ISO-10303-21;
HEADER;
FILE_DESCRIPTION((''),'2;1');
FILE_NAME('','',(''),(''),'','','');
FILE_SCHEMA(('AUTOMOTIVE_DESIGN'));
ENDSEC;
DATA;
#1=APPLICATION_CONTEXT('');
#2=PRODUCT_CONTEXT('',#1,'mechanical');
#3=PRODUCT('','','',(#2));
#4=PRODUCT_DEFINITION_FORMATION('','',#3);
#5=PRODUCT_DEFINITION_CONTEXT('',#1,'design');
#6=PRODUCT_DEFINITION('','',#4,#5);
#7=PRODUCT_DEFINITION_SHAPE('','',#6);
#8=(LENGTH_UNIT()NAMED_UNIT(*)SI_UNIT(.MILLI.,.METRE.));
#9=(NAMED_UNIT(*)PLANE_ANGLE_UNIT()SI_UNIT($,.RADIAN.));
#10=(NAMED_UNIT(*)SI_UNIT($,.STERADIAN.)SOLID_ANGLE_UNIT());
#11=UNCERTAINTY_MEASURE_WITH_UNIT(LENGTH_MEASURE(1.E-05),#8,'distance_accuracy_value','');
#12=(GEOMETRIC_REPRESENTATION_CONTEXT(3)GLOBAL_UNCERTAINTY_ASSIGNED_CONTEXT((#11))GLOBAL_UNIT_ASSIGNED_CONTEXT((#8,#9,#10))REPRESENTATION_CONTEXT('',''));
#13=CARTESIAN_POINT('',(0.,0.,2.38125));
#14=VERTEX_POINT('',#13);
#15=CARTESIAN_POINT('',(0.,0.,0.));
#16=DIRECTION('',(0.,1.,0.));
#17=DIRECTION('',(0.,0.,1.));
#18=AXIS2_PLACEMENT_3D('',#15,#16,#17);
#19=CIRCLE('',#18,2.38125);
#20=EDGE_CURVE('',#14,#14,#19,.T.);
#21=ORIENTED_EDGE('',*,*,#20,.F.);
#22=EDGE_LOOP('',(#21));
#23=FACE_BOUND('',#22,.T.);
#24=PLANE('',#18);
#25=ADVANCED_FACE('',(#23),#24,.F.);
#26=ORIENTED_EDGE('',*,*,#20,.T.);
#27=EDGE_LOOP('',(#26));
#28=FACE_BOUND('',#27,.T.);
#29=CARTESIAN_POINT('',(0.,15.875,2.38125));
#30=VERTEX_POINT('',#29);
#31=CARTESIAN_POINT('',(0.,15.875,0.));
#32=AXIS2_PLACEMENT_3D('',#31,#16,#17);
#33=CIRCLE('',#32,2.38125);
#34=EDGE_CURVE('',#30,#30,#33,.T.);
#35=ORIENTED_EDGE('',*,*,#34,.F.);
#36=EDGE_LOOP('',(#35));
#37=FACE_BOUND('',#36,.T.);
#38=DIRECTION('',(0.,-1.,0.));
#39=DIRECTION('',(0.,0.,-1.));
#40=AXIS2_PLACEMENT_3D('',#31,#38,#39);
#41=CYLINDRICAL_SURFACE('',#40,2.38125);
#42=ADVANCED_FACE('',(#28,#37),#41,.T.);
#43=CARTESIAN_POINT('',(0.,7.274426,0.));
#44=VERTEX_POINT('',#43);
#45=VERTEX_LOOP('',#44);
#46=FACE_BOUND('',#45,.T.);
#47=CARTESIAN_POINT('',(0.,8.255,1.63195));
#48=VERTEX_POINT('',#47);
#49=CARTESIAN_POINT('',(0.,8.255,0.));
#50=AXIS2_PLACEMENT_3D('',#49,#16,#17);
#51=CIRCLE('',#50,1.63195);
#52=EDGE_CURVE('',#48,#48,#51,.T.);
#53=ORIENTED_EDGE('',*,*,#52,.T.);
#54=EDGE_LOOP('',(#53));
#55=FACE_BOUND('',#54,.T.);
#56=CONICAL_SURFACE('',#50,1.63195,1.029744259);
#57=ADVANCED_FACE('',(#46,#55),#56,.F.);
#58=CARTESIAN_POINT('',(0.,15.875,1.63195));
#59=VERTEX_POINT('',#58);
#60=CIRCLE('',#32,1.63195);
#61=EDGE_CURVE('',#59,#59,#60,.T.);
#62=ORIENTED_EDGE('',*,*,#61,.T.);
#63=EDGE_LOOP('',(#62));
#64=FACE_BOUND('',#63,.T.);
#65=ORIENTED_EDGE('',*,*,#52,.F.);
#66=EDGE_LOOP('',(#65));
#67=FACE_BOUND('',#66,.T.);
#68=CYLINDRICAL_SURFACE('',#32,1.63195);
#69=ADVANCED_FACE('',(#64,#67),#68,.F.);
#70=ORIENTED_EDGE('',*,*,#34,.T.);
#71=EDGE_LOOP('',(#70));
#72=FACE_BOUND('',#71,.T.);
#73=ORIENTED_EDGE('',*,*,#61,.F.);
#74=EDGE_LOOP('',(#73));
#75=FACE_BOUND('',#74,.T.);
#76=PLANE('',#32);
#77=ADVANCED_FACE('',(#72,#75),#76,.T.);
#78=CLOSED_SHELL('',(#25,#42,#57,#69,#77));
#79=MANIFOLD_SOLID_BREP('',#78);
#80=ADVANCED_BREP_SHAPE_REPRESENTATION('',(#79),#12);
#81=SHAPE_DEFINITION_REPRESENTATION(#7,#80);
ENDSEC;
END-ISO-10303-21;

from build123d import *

# Parameters (mm, degrees)
SKETCH1_R                 = 2.38125
BOSS_EXTRUDE1_DEPTH       = 15.875
F_4_CLEARANCE_HOLE1_D     = 3.2639
F_4_CLEARANCE_HOLE1_DEPTH = 7.62
F_4_CLEARANCE_HOLE1_TIP   = 0.980574487


with BuildPart() as part:
    # Sketch1 → Boss-Extrude1 (new body)
    with BuildSketch(Plane(origin=(0, 0, 0), x_dir=(1, 0, 0), z_dir=(0, 1, 0))):
        Circle(SKETCH1_R)
    extrude(amount=BOSS_EXTRUDE1_DEPTH)

    # #4 Clearance Hole1
    with Locations(Plane(origin=(0, 15.875, 0), x_dir=(-1, 0, 0), z_dir=(0, 1, 0))):
        with Locations((0, 0)):
            Hole(F_4_CLEARANCE_HOLE1_D / 2, depth=F_4_CLEARANCE_HOLE1_DEPTH)
            with Locations((0, 0, -(F_4_CLEARANCE_HOLE1_DEPTH + F_4_CLEARANCE_HOLE1_TIP / 2))):  # 118° drill point
                Cone(0, F_4_CLEARANCE_HOLE1_D / 2, F_4_CLEARANCE_HOLE1_TIP, mode=Mode.SUBTRACT)


solid = part.part
